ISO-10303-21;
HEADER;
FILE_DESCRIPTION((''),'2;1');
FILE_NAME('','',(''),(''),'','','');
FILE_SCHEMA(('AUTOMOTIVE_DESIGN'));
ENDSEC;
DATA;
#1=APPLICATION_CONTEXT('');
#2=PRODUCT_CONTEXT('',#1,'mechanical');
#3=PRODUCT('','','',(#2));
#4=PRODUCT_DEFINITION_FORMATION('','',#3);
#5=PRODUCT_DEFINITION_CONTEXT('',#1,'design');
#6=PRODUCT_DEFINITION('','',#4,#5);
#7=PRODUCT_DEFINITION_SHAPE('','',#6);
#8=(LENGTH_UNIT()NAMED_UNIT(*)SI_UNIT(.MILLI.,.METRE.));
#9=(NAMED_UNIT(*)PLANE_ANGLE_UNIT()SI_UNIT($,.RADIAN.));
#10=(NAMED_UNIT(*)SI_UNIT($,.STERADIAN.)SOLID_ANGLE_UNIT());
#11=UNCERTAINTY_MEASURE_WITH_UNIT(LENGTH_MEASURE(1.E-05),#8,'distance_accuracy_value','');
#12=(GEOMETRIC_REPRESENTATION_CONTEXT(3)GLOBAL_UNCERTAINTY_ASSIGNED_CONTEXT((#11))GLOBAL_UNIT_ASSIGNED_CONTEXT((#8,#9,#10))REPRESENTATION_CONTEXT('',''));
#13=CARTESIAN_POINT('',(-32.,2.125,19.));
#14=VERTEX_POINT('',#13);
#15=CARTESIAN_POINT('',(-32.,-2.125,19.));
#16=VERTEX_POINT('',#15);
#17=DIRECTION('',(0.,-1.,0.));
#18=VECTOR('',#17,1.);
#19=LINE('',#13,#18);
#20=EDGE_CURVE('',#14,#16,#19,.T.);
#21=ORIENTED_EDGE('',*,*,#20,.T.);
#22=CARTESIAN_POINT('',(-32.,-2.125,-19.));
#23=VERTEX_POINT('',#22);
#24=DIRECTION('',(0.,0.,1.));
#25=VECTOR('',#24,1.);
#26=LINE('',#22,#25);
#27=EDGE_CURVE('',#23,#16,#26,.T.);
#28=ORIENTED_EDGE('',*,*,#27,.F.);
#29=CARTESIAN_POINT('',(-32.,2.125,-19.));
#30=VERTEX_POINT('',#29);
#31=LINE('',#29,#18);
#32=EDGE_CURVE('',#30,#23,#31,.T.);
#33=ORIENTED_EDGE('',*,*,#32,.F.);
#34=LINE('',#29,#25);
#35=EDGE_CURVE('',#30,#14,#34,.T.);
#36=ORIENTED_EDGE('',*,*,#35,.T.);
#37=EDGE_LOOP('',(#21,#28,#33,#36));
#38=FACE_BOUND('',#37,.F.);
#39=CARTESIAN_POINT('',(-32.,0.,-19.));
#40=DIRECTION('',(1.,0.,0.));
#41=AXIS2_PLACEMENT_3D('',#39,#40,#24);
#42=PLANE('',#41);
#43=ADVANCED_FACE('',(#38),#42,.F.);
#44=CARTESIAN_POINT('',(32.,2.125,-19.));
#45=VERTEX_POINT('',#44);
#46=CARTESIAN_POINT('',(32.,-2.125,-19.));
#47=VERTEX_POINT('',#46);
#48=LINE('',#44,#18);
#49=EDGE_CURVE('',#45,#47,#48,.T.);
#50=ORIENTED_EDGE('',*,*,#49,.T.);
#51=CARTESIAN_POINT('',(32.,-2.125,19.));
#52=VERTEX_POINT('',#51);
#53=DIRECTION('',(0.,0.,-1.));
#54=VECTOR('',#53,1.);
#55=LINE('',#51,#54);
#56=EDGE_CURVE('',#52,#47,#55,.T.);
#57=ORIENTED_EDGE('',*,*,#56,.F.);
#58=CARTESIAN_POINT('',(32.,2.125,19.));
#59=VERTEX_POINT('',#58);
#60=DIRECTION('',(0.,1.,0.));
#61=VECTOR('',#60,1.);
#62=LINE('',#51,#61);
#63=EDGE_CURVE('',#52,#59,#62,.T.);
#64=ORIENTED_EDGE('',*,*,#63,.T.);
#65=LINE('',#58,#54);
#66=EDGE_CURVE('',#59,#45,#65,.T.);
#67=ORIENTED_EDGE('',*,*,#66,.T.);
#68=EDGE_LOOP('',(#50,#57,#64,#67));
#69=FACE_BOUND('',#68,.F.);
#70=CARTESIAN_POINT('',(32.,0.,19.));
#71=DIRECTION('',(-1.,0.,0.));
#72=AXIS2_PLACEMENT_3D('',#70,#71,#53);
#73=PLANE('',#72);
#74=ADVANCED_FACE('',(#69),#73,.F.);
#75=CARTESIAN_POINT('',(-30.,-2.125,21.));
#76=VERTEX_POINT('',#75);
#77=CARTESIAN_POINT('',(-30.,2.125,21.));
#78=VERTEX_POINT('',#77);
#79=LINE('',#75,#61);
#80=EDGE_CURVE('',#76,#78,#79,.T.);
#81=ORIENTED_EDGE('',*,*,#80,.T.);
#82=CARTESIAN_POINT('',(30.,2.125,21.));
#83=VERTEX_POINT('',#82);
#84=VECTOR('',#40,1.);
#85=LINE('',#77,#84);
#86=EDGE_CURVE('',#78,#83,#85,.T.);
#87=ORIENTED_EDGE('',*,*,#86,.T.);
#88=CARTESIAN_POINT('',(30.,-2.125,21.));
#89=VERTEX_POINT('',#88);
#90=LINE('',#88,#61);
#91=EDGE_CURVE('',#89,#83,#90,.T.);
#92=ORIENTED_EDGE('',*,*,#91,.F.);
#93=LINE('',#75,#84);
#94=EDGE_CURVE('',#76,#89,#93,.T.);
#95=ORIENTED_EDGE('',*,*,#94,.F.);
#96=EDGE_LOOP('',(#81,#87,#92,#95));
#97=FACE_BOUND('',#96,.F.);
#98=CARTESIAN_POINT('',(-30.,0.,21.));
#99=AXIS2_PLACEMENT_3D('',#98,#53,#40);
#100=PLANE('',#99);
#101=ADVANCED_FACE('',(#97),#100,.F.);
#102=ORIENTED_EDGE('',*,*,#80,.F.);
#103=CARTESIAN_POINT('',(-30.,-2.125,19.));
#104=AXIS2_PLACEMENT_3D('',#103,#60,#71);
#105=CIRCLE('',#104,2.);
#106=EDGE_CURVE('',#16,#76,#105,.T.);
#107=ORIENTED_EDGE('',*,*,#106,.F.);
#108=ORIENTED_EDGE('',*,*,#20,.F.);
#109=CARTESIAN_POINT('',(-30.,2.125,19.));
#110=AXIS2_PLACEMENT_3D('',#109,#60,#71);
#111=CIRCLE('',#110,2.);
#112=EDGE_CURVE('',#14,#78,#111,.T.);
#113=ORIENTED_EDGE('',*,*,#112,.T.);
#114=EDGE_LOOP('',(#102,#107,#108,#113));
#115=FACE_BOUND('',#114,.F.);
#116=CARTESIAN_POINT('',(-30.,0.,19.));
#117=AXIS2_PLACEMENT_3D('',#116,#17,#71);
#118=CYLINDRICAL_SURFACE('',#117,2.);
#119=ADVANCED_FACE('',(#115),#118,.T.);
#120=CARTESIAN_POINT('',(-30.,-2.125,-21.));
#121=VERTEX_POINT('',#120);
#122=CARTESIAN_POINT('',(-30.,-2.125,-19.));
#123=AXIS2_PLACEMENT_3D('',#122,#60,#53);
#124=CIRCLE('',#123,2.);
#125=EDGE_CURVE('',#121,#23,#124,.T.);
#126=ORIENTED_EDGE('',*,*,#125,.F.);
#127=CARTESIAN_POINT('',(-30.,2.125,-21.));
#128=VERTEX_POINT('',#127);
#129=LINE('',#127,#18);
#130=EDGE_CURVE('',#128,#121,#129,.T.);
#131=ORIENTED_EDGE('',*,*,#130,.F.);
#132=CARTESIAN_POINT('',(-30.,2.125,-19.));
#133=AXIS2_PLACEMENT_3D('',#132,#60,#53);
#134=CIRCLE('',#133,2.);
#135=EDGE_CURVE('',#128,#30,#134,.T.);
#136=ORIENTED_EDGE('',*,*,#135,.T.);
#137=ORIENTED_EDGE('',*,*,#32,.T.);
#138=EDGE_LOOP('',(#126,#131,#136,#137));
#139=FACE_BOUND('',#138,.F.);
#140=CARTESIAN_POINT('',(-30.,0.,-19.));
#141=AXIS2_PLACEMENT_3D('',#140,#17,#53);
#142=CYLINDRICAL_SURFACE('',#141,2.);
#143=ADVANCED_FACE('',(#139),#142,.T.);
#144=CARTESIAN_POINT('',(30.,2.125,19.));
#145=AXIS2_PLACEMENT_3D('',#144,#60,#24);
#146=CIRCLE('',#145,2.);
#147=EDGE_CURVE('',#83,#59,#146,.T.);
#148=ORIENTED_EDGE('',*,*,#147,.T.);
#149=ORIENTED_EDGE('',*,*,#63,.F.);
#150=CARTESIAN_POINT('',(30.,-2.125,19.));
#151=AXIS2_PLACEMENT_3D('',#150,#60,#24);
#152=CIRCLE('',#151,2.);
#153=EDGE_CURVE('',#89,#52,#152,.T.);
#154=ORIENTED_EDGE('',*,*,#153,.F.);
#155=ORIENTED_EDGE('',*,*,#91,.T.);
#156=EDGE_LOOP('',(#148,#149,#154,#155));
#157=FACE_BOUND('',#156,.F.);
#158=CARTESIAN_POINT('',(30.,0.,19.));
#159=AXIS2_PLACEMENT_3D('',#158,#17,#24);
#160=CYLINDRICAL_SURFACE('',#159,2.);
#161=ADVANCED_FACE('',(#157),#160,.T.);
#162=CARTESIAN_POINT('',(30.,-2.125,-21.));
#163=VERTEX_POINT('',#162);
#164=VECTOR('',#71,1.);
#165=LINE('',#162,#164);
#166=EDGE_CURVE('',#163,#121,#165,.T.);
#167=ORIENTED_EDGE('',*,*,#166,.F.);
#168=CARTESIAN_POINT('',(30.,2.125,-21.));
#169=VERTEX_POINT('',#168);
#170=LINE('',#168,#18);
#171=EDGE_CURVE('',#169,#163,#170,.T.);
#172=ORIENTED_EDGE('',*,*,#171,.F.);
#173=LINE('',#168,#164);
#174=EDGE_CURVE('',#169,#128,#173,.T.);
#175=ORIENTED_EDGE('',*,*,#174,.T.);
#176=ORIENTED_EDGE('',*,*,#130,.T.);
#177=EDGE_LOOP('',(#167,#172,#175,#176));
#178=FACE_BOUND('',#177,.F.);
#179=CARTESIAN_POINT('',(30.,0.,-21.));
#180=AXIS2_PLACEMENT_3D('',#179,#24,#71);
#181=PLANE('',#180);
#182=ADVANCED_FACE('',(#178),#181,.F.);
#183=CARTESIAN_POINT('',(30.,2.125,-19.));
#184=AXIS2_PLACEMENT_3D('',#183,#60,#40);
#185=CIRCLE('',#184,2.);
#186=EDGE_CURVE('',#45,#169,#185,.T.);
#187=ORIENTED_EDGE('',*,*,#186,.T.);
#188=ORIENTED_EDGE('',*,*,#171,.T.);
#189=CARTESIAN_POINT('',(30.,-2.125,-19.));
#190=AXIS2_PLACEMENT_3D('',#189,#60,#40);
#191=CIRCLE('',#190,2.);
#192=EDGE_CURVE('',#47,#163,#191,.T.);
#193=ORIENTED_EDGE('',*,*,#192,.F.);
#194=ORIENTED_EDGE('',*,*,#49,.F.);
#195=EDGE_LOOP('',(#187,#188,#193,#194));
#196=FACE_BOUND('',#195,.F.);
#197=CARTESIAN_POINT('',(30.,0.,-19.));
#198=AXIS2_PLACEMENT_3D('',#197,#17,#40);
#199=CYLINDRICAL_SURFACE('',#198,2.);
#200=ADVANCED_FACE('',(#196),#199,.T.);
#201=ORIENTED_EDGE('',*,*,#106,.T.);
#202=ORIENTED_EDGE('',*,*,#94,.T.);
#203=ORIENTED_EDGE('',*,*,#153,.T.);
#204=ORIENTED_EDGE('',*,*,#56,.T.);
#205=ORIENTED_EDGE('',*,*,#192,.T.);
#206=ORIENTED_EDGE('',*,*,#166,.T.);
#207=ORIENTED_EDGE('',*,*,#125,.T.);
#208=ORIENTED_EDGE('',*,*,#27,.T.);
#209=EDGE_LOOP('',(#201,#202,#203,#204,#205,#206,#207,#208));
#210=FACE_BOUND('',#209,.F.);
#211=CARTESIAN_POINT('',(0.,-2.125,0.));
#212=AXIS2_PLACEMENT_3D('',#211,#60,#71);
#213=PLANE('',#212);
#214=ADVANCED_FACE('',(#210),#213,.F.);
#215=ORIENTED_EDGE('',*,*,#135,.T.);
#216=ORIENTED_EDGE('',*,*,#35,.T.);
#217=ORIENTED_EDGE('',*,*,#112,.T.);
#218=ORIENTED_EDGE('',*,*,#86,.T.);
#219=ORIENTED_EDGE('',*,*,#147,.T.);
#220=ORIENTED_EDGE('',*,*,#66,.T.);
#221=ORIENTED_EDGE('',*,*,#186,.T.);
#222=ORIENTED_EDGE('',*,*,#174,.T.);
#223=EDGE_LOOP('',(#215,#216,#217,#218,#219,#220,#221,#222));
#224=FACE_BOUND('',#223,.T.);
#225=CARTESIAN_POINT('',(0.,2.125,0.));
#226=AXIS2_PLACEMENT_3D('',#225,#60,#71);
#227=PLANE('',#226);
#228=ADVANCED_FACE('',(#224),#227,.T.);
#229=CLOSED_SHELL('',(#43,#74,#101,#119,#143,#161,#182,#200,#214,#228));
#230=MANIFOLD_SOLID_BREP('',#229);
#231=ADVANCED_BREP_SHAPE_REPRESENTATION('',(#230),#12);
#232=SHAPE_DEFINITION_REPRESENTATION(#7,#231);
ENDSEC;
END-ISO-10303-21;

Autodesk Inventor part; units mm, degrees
ref_plane "YZ Plane" through (0, 0, 0) normal (1, 0, 0) x (0, 1, 0)
ref_plane "XZ Plane" through (0, 0, 0) normal (0, 1, 0) x (-1, 0, 0)
ref_plane "XY Plane" through (0, 0, 0) normal (0, 0, 1) x (1, 0, 0)
sketch "Sketch1" plane through (0, 0, 0) normal (0, 1, 0) x (-1, 0, 0)
  line L0 (30, 21) -> (-30, 21)
  line L1 (-32, 19) -> (-32, -19)
  line L2 (-30, -21) -> (30, -21)
  line L3 (32, -19) -> (32, 19)
  line L4 (32, 21) -> (-32, -21) construction
  line L5 (-32, 21) -> (32, -21) construction
  arc A0 (30, -21) -> (32, -19) centre (30, -19) ccw
  arc A1 (32, 19) -> (30, 21) centre (30, 19) ccw
  arc A2 (-30, 21) -> (-32, 19) centre (-30, 19) ccw
  arc A3 (-32, -19) -> (-30, -21) centre (-30, -19) ccw
  point P0 (0, 0)
  dimension "d0" = 64
  dimension "d1" = 42
  dimension "d2" = 2
extrude "Extrusion1" add sketch "Sketch1" along normal mid plane 4.25
properties part number "Relics_All" material "Paper"
